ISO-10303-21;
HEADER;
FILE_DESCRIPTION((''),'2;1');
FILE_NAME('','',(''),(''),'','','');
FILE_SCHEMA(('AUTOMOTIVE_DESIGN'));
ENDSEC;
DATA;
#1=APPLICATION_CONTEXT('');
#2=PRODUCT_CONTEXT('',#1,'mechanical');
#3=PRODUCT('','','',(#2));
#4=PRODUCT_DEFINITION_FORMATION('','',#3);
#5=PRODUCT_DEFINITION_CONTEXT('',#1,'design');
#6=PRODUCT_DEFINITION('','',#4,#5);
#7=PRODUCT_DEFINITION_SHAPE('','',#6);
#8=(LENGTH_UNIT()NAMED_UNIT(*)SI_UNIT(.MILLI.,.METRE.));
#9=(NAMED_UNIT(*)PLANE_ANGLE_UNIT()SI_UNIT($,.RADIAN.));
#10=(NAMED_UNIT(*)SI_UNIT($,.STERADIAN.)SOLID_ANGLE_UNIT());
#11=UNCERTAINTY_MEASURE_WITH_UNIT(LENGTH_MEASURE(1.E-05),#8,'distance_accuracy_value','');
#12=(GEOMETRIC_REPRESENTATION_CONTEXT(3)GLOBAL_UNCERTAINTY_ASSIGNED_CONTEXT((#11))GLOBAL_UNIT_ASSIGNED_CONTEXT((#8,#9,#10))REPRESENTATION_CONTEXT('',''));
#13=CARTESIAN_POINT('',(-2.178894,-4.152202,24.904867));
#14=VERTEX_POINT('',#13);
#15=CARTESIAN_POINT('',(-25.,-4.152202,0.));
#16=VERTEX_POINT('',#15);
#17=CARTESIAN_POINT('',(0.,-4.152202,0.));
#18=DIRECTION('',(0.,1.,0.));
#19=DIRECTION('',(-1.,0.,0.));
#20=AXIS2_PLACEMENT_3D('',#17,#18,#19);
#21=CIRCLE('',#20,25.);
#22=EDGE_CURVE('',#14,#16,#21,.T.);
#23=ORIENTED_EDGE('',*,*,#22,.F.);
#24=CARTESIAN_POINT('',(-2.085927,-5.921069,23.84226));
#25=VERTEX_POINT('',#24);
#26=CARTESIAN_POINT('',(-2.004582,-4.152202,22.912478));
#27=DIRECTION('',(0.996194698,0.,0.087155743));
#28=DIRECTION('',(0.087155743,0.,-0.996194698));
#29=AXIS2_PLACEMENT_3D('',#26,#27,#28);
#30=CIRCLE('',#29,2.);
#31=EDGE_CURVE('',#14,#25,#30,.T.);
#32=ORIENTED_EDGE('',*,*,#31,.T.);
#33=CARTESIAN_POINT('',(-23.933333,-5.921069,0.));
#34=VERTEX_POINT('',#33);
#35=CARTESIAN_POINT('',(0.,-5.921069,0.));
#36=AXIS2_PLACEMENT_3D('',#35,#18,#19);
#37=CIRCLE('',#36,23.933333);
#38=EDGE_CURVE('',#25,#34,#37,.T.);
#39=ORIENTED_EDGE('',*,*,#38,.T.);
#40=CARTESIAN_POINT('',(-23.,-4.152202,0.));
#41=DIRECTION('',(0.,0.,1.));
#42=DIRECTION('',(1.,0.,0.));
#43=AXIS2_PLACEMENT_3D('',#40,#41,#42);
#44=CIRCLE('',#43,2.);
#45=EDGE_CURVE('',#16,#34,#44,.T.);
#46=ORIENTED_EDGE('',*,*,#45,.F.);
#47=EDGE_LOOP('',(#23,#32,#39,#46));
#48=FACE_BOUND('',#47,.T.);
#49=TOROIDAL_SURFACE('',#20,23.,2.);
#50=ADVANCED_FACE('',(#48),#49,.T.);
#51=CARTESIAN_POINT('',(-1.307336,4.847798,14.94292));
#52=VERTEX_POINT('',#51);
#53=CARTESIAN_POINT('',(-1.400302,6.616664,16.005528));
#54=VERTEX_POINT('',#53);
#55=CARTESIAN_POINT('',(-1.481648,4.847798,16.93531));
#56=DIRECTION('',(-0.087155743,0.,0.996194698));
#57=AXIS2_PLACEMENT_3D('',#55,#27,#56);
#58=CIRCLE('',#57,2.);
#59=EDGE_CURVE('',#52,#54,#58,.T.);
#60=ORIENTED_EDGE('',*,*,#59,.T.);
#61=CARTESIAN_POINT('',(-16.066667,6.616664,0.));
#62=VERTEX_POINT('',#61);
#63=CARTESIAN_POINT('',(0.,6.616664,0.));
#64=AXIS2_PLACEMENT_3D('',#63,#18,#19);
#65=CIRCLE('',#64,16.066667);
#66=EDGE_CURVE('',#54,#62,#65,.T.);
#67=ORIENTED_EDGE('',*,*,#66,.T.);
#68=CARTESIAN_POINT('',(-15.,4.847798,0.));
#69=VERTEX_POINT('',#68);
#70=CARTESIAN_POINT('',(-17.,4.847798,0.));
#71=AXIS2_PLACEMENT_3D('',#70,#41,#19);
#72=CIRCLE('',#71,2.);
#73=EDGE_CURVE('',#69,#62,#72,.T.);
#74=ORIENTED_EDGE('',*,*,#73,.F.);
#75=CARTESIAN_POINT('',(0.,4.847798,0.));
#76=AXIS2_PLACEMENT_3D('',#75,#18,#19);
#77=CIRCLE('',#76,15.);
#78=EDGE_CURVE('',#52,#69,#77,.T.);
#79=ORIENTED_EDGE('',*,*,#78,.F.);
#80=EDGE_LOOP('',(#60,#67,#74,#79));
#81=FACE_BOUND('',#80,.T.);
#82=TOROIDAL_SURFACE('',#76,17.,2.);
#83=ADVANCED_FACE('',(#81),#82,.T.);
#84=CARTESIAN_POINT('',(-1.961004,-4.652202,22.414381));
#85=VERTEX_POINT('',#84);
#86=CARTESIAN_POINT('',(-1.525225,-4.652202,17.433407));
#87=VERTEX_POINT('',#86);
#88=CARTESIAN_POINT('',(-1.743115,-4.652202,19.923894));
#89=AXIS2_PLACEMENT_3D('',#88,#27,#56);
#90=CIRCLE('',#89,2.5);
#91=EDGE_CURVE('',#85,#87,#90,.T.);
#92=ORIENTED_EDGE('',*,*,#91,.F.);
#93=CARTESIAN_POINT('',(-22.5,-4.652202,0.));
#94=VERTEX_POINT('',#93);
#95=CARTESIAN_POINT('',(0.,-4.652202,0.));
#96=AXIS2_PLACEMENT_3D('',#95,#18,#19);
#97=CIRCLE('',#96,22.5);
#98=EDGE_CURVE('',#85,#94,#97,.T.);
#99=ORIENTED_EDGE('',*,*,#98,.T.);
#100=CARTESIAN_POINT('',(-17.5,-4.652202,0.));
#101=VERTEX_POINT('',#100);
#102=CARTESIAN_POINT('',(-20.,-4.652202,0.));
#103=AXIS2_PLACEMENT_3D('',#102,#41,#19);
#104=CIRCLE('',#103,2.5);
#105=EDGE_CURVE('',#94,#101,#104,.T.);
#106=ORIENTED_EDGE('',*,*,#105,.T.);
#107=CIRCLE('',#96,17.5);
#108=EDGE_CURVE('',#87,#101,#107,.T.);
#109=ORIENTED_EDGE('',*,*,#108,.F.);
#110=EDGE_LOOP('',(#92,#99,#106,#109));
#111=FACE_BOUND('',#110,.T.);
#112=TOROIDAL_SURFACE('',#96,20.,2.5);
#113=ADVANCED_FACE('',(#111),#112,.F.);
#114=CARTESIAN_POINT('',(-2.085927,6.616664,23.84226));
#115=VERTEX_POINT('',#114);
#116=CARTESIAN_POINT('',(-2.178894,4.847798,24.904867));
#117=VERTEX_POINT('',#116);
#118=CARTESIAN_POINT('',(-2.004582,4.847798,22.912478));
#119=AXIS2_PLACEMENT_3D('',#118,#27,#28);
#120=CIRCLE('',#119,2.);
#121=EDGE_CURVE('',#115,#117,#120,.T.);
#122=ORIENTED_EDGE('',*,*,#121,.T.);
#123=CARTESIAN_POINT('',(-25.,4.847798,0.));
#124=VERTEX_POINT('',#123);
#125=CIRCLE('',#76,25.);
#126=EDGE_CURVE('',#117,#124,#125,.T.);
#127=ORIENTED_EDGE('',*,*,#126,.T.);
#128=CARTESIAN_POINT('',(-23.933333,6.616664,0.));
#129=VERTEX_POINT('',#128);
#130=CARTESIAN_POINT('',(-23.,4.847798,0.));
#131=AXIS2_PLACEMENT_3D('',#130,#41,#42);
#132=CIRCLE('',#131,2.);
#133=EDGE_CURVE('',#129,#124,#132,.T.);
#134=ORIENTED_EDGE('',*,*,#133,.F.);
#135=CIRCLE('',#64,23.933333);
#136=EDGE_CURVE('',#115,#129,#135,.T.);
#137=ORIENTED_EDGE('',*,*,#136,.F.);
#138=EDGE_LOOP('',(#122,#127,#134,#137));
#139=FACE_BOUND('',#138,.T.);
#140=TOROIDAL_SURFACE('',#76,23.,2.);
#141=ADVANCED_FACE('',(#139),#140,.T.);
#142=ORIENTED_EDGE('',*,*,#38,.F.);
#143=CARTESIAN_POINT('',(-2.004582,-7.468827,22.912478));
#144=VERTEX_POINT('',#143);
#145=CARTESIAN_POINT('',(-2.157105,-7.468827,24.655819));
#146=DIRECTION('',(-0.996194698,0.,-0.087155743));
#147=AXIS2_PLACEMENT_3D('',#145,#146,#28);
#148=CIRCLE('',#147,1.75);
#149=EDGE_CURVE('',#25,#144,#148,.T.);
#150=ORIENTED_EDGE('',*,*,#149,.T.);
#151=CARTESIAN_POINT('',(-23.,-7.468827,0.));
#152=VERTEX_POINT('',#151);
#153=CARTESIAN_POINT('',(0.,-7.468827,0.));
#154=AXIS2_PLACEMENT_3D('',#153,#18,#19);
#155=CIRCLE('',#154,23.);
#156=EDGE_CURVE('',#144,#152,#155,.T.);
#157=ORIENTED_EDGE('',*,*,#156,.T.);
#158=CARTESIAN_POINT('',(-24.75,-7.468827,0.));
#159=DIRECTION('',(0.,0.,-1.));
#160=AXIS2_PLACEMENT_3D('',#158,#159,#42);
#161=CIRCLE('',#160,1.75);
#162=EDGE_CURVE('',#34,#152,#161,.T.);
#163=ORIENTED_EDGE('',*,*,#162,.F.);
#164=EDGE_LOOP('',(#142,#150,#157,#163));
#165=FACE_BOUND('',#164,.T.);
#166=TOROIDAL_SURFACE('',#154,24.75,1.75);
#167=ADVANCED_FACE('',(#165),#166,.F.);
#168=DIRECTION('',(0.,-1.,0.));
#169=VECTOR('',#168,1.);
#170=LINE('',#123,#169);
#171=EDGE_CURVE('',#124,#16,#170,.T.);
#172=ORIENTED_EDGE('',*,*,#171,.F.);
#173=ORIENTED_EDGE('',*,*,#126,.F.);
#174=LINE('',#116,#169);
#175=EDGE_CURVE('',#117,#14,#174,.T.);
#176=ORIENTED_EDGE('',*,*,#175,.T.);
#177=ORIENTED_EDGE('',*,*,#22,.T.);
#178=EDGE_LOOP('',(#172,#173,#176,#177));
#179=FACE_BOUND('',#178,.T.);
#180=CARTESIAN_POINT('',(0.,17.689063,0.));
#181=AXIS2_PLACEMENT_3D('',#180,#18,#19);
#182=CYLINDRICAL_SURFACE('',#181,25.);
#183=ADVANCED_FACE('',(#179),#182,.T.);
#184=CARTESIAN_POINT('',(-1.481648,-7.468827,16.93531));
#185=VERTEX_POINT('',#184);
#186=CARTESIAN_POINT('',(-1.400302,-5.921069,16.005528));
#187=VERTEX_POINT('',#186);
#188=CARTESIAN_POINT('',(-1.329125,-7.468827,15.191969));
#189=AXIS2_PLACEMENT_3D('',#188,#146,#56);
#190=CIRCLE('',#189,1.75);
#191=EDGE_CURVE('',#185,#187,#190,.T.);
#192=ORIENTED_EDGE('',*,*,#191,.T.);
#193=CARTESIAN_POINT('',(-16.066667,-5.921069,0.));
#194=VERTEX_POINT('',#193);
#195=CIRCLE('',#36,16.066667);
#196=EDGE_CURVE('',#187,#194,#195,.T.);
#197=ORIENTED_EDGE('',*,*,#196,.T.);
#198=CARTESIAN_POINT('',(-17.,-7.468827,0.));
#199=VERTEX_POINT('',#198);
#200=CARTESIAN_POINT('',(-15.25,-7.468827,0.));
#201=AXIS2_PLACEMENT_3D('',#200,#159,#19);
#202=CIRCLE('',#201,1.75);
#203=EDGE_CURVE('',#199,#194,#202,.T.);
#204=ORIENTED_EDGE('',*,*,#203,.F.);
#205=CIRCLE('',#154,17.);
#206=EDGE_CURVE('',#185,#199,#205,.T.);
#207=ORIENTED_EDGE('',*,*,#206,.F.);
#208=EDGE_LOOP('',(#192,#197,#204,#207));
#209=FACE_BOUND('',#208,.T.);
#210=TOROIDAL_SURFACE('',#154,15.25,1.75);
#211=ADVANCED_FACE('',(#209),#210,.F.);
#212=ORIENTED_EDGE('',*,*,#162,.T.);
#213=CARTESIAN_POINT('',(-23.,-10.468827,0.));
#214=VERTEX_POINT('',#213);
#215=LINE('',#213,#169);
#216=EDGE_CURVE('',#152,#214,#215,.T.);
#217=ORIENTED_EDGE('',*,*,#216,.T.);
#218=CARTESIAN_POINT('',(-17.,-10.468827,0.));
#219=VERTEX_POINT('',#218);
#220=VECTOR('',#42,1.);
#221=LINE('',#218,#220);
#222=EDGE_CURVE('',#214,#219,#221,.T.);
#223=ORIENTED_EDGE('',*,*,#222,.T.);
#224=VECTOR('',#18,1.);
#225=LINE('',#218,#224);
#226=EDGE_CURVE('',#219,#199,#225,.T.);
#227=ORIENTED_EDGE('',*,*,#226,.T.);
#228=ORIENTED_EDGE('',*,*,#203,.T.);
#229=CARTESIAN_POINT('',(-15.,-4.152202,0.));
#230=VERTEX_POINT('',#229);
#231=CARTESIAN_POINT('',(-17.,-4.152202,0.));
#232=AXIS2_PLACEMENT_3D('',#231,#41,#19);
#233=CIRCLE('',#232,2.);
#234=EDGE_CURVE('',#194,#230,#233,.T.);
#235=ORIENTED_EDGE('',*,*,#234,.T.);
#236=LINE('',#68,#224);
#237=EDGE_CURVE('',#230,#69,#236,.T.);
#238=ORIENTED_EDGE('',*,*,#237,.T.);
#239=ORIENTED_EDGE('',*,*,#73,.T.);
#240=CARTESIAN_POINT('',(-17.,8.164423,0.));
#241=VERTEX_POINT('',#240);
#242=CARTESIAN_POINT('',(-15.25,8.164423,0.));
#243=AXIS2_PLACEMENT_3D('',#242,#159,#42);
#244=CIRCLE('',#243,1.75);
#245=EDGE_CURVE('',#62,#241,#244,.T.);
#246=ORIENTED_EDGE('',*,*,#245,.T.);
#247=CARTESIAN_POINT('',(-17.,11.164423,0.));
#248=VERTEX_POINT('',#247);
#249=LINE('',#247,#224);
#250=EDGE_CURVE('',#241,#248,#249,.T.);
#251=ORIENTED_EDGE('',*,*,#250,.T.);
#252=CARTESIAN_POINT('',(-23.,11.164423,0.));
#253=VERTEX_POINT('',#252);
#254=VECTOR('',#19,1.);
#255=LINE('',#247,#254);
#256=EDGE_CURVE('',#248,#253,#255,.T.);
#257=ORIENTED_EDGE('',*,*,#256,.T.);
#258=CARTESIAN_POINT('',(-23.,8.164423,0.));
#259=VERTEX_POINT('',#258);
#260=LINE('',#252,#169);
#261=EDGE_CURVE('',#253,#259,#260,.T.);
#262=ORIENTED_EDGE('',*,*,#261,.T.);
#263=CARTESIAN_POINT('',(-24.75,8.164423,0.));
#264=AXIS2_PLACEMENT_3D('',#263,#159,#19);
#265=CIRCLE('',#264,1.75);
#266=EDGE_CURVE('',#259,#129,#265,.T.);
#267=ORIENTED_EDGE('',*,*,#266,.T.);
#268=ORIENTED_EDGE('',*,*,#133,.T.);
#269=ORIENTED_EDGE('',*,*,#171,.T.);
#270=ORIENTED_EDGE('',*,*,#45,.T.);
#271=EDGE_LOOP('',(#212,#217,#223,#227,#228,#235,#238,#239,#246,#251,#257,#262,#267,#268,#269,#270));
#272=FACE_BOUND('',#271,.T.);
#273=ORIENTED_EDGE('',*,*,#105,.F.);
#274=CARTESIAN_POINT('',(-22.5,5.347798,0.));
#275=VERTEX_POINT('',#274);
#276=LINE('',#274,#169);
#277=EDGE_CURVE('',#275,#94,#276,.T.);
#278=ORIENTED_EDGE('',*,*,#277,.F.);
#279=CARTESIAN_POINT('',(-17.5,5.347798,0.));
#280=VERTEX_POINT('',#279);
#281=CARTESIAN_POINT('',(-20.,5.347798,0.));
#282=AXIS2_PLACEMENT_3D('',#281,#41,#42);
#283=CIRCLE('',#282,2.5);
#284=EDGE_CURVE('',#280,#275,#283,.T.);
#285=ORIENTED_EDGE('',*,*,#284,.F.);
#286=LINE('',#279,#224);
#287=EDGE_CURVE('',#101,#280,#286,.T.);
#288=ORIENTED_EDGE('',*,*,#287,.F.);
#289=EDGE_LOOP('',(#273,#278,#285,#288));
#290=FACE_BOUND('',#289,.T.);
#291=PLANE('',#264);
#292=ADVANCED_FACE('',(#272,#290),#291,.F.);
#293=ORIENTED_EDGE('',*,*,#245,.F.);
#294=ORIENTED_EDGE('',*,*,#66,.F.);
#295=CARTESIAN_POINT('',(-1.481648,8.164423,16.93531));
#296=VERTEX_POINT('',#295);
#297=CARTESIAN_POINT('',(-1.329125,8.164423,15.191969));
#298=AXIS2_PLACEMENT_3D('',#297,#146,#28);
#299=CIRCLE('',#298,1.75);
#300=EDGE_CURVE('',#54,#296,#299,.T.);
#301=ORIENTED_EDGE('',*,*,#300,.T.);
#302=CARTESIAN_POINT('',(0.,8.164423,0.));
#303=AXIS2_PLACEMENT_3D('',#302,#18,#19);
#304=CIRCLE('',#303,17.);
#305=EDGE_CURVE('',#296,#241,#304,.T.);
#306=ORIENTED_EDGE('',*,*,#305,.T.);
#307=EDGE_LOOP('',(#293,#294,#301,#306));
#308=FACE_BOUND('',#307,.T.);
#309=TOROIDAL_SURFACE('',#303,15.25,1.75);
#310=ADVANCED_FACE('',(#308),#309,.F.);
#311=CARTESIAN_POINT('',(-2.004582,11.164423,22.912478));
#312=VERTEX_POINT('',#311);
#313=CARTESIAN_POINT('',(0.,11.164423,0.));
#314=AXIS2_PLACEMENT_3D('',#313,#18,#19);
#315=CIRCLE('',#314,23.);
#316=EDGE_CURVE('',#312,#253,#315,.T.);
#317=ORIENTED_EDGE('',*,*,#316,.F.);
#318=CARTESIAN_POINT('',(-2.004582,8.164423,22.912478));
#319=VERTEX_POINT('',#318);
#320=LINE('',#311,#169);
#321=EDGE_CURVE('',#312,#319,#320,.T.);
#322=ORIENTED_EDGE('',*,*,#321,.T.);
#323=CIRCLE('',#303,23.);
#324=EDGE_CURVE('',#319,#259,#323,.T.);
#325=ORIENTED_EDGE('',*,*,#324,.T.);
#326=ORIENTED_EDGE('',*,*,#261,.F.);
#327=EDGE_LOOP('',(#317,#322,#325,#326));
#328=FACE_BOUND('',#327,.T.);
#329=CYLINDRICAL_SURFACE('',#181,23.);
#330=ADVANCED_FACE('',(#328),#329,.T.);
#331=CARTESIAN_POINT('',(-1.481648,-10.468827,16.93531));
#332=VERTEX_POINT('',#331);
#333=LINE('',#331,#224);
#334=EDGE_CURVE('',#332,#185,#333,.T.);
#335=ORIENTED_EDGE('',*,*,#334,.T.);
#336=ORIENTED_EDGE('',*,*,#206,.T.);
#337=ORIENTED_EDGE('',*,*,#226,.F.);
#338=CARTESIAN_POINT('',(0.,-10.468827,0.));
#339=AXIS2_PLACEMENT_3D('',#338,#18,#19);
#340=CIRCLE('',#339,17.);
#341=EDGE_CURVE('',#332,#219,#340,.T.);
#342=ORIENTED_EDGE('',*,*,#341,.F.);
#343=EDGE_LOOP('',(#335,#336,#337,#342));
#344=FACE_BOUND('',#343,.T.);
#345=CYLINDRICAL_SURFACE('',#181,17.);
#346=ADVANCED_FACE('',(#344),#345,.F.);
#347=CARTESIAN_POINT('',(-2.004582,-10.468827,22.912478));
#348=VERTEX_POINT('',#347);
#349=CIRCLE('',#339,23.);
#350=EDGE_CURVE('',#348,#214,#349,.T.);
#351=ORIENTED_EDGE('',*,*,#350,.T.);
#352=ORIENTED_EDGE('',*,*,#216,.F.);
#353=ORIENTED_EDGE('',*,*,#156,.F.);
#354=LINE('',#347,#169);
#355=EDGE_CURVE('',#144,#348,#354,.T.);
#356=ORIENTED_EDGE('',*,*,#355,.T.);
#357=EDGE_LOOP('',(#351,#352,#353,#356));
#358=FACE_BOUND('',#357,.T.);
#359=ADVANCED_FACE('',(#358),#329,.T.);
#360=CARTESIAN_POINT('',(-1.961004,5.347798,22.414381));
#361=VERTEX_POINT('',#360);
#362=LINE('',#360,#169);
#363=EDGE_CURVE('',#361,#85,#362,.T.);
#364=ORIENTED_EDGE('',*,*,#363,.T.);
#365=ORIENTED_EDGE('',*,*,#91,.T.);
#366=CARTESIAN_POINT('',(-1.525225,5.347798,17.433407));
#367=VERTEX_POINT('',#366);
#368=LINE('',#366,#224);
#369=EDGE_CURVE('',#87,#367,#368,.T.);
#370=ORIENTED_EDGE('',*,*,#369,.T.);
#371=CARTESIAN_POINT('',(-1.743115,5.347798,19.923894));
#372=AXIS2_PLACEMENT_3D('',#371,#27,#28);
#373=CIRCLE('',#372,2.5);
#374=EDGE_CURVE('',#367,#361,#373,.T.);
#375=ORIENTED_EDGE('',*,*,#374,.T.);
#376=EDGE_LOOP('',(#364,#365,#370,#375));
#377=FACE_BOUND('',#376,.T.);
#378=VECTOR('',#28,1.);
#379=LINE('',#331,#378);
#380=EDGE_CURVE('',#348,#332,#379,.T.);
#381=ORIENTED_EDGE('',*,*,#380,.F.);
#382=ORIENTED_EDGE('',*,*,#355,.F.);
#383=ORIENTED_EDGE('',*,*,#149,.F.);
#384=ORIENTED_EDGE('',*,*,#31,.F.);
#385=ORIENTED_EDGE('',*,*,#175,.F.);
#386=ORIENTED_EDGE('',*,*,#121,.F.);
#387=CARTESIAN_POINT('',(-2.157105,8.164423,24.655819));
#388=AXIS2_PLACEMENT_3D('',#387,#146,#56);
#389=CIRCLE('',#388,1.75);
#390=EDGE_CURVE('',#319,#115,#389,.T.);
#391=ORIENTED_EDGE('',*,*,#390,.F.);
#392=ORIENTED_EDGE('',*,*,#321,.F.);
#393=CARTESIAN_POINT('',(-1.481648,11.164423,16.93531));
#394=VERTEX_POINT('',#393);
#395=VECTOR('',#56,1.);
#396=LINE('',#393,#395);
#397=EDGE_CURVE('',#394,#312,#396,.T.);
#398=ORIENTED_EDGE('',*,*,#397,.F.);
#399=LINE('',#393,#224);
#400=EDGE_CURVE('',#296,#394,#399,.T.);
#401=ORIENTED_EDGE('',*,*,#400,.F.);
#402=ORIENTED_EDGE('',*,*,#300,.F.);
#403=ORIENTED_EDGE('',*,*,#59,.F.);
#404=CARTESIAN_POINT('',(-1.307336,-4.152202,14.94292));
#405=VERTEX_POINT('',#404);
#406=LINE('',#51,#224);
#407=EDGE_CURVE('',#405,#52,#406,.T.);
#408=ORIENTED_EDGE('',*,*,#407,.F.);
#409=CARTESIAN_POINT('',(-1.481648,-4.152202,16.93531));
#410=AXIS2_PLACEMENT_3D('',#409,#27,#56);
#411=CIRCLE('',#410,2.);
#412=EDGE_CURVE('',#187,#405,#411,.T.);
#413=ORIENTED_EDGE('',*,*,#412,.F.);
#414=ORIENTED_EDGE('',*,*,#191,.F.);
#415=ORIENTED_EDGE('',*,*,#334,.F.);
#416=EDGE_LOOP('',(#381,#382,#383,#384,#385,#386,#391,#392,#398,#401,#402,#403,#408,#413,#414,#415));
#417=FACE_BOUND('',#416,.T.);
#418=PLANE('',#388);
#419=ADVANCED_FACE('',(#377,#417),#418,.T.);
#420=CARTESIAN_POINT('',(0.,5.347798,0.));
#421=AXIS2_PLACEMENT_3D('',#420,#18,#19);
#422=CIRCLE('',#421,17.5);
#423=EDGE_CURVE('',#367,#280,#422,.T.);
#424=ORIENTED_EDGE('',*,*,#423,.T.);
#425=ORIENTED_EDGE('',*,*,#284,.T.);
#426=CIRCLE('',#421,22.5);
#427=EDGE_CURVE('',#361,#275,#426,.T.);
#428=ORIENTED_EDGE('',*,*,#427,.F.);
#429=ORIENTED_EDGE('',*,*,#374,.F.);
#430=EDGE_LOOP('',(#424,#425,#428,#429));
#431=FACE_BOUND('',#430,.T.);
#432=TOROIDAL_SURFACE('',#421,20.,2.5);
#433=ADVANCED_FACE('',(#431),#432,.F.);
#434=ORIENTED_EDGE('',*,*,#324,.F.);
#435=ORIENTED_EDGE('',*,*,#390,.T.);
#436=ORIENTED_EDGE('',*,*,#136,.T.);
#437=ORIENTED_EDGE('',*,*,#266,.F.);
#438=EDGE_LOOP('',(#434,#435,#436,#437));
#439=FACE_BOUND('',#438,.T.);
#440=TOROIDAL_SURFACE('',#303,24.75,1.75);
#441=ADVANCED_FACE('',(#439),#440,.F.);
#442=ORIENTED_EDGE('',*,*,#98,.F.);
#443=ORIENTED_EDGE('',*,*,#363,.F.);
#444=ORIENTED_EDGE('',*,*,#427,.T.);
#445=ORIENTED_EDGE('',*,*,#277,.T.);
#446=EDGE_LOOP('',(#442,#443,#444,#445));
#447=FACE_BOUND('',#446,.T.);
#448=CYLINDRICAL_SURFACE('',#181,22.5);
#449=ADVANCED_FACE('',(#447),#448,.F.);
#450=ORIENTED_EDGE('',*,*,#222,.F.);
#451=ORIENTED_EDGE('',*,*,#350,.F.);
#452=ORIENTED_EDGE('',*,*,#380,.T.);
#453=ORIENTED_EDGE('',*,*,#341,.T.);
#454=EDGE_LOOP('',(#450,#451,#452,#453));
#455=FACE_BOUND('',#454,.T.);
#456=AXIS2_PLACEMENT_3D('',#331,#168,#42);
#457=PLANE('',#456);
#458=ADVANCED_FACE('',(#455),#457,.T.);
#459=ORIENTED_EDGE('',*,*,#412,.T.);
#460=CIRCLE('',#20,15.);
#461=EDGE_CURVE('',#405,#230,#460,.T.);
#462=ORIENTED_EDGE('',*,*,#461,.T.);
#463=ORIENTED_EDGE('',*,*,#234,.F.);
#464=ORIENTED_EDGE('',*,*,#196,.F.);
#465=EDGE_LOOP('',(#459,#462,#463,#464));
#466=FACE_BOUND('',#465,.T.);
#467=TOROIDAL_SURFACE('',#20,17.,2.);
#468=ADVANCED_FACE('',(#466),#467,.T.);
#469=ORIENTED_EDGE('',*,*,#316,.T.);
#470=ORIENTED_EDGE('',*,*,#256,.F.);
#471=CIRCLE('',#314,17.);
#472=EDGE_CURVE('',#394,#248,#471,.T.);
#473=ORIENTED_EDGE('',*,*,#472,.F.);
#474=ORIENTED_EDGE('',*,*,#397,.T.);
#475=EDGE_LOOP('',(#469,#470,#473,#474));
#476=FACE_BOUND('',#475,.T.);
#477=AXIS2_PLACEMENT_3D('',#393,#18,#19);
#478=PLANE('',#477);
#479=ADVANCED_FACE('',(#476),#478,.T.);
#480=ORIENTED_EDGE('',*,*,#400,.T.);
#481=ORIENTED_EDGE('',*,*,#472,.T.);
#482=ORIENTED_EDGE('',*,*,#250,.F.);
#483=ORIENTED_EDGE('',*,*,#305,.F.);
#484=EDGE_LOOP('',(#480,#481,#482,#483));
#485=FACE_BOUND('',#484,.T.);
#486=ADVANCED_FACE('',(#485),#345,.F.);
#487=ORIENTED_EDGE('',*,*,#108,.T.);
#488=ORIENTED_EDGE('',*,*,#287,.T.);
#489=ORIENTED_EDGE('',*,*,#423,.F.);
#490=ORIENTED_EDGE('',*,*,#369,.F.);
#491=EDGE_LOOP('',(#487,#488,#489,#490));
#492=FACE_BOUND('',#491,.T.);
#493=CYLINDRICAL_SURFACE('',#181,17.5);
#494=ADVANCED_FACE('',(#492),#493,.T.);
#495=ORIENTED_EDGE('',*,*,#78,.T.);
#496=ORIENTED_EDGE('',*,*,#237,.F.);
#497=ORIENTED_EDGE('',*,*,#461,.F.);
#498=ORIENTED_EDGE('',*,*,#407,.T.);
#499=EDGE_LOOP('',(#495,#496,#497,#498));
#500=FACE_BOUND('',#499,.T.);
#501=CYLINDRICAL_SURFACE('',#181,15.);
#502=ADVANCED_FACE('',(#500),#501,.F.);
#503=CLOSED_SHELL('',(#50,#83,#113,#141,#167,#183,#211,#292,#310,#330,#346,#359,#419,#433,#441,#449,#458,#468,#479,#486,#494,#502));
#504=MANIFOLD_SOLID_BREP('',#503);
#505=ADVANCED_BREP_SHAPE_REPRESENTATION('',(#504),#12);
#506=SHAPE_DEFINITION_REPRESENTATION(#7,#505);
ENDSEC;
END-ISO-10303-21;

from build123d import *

# Parameters (mm, degrees)
REVOLVE1_ANGLE = 275


with BuildPart() as part:
    # Sketch1 → Revolve1 (revolve)
    with BuildSketch(Plane.XY):
        with BuildLine():
            Line((-17, 11.164422538), (-23, 11.164422538))
            Line((-23, 11.164422538), (-23, 8.164422538))
            ThreePointArc((-23, 8.164422538), (-23.251389532, 7.260726424), (-23.933333333, 6.616664303))
            ThreePointArc((-23.933333333, 6.616664303), (-24.712697677, 5.880593307), (-25, 4.847797748))
            Line((-25, 4.847797748), (-25, -4.152202252))
            ThreePointArc((-25, -4.152202252), (-24.712697677, -5.184997811), (-23.933333333, -5.921068807))
            ThreePointArc((-23.933333333, -5.921068807), (-23.251389532, -6.565130928), (-23, -7.468827042))
            Line((-23, -7.468827042), (-23, -10.468827042))
            Line((-23, -10.468827042), (-17, -10.468827042))
            Line((-17, -10.468827042), (-17, -7.468827042))
            ThreePointArc((-17, -7.468827042), (-16.748610468, -6.565130928), (-16.066666667, -5.921068807))
            ThreePointArc((-16.066666667, -5.921068807), (-15.287302323, -5.184997811), (-15, -4.152202252))
            Line((-15, -4.152202252), (-15, 4.847797748))
            ThreePointArc((-15, 4.847797748), (-15.287302323, 5.880593307), (-16.066666667, 6.616664303))
            ThreePointArc((-16.066666667, 6.616664303), (-16.748610468, 7.260726424), (-17, 8.164422538))
            Line((-17, 8.164422538), (-17, 11.164422538))
        make_face()
        with BuildLine():
            Line((-22.5, 5.347797748), (-22.5, -4.652202252))
            ThreePointArc((-22.5, -4.652202252), (-20, -7.152202252), (-17.5, -4.652202252))
            Line((-17.5, -4.652202252), (-17.5, 5.347797748))
            ThreePointArc((-17.5, 5.347797748), (-20, 7.847797748), (-22.5, 5.347797748))
        make_face(mode=Mode.SUBTRACT)
    revolve(axis=Axis((0, 17.689062813, 0), (0, -1, 0)), revolution_arc=REVOLVE1_ANGLE)


solid = part.part
